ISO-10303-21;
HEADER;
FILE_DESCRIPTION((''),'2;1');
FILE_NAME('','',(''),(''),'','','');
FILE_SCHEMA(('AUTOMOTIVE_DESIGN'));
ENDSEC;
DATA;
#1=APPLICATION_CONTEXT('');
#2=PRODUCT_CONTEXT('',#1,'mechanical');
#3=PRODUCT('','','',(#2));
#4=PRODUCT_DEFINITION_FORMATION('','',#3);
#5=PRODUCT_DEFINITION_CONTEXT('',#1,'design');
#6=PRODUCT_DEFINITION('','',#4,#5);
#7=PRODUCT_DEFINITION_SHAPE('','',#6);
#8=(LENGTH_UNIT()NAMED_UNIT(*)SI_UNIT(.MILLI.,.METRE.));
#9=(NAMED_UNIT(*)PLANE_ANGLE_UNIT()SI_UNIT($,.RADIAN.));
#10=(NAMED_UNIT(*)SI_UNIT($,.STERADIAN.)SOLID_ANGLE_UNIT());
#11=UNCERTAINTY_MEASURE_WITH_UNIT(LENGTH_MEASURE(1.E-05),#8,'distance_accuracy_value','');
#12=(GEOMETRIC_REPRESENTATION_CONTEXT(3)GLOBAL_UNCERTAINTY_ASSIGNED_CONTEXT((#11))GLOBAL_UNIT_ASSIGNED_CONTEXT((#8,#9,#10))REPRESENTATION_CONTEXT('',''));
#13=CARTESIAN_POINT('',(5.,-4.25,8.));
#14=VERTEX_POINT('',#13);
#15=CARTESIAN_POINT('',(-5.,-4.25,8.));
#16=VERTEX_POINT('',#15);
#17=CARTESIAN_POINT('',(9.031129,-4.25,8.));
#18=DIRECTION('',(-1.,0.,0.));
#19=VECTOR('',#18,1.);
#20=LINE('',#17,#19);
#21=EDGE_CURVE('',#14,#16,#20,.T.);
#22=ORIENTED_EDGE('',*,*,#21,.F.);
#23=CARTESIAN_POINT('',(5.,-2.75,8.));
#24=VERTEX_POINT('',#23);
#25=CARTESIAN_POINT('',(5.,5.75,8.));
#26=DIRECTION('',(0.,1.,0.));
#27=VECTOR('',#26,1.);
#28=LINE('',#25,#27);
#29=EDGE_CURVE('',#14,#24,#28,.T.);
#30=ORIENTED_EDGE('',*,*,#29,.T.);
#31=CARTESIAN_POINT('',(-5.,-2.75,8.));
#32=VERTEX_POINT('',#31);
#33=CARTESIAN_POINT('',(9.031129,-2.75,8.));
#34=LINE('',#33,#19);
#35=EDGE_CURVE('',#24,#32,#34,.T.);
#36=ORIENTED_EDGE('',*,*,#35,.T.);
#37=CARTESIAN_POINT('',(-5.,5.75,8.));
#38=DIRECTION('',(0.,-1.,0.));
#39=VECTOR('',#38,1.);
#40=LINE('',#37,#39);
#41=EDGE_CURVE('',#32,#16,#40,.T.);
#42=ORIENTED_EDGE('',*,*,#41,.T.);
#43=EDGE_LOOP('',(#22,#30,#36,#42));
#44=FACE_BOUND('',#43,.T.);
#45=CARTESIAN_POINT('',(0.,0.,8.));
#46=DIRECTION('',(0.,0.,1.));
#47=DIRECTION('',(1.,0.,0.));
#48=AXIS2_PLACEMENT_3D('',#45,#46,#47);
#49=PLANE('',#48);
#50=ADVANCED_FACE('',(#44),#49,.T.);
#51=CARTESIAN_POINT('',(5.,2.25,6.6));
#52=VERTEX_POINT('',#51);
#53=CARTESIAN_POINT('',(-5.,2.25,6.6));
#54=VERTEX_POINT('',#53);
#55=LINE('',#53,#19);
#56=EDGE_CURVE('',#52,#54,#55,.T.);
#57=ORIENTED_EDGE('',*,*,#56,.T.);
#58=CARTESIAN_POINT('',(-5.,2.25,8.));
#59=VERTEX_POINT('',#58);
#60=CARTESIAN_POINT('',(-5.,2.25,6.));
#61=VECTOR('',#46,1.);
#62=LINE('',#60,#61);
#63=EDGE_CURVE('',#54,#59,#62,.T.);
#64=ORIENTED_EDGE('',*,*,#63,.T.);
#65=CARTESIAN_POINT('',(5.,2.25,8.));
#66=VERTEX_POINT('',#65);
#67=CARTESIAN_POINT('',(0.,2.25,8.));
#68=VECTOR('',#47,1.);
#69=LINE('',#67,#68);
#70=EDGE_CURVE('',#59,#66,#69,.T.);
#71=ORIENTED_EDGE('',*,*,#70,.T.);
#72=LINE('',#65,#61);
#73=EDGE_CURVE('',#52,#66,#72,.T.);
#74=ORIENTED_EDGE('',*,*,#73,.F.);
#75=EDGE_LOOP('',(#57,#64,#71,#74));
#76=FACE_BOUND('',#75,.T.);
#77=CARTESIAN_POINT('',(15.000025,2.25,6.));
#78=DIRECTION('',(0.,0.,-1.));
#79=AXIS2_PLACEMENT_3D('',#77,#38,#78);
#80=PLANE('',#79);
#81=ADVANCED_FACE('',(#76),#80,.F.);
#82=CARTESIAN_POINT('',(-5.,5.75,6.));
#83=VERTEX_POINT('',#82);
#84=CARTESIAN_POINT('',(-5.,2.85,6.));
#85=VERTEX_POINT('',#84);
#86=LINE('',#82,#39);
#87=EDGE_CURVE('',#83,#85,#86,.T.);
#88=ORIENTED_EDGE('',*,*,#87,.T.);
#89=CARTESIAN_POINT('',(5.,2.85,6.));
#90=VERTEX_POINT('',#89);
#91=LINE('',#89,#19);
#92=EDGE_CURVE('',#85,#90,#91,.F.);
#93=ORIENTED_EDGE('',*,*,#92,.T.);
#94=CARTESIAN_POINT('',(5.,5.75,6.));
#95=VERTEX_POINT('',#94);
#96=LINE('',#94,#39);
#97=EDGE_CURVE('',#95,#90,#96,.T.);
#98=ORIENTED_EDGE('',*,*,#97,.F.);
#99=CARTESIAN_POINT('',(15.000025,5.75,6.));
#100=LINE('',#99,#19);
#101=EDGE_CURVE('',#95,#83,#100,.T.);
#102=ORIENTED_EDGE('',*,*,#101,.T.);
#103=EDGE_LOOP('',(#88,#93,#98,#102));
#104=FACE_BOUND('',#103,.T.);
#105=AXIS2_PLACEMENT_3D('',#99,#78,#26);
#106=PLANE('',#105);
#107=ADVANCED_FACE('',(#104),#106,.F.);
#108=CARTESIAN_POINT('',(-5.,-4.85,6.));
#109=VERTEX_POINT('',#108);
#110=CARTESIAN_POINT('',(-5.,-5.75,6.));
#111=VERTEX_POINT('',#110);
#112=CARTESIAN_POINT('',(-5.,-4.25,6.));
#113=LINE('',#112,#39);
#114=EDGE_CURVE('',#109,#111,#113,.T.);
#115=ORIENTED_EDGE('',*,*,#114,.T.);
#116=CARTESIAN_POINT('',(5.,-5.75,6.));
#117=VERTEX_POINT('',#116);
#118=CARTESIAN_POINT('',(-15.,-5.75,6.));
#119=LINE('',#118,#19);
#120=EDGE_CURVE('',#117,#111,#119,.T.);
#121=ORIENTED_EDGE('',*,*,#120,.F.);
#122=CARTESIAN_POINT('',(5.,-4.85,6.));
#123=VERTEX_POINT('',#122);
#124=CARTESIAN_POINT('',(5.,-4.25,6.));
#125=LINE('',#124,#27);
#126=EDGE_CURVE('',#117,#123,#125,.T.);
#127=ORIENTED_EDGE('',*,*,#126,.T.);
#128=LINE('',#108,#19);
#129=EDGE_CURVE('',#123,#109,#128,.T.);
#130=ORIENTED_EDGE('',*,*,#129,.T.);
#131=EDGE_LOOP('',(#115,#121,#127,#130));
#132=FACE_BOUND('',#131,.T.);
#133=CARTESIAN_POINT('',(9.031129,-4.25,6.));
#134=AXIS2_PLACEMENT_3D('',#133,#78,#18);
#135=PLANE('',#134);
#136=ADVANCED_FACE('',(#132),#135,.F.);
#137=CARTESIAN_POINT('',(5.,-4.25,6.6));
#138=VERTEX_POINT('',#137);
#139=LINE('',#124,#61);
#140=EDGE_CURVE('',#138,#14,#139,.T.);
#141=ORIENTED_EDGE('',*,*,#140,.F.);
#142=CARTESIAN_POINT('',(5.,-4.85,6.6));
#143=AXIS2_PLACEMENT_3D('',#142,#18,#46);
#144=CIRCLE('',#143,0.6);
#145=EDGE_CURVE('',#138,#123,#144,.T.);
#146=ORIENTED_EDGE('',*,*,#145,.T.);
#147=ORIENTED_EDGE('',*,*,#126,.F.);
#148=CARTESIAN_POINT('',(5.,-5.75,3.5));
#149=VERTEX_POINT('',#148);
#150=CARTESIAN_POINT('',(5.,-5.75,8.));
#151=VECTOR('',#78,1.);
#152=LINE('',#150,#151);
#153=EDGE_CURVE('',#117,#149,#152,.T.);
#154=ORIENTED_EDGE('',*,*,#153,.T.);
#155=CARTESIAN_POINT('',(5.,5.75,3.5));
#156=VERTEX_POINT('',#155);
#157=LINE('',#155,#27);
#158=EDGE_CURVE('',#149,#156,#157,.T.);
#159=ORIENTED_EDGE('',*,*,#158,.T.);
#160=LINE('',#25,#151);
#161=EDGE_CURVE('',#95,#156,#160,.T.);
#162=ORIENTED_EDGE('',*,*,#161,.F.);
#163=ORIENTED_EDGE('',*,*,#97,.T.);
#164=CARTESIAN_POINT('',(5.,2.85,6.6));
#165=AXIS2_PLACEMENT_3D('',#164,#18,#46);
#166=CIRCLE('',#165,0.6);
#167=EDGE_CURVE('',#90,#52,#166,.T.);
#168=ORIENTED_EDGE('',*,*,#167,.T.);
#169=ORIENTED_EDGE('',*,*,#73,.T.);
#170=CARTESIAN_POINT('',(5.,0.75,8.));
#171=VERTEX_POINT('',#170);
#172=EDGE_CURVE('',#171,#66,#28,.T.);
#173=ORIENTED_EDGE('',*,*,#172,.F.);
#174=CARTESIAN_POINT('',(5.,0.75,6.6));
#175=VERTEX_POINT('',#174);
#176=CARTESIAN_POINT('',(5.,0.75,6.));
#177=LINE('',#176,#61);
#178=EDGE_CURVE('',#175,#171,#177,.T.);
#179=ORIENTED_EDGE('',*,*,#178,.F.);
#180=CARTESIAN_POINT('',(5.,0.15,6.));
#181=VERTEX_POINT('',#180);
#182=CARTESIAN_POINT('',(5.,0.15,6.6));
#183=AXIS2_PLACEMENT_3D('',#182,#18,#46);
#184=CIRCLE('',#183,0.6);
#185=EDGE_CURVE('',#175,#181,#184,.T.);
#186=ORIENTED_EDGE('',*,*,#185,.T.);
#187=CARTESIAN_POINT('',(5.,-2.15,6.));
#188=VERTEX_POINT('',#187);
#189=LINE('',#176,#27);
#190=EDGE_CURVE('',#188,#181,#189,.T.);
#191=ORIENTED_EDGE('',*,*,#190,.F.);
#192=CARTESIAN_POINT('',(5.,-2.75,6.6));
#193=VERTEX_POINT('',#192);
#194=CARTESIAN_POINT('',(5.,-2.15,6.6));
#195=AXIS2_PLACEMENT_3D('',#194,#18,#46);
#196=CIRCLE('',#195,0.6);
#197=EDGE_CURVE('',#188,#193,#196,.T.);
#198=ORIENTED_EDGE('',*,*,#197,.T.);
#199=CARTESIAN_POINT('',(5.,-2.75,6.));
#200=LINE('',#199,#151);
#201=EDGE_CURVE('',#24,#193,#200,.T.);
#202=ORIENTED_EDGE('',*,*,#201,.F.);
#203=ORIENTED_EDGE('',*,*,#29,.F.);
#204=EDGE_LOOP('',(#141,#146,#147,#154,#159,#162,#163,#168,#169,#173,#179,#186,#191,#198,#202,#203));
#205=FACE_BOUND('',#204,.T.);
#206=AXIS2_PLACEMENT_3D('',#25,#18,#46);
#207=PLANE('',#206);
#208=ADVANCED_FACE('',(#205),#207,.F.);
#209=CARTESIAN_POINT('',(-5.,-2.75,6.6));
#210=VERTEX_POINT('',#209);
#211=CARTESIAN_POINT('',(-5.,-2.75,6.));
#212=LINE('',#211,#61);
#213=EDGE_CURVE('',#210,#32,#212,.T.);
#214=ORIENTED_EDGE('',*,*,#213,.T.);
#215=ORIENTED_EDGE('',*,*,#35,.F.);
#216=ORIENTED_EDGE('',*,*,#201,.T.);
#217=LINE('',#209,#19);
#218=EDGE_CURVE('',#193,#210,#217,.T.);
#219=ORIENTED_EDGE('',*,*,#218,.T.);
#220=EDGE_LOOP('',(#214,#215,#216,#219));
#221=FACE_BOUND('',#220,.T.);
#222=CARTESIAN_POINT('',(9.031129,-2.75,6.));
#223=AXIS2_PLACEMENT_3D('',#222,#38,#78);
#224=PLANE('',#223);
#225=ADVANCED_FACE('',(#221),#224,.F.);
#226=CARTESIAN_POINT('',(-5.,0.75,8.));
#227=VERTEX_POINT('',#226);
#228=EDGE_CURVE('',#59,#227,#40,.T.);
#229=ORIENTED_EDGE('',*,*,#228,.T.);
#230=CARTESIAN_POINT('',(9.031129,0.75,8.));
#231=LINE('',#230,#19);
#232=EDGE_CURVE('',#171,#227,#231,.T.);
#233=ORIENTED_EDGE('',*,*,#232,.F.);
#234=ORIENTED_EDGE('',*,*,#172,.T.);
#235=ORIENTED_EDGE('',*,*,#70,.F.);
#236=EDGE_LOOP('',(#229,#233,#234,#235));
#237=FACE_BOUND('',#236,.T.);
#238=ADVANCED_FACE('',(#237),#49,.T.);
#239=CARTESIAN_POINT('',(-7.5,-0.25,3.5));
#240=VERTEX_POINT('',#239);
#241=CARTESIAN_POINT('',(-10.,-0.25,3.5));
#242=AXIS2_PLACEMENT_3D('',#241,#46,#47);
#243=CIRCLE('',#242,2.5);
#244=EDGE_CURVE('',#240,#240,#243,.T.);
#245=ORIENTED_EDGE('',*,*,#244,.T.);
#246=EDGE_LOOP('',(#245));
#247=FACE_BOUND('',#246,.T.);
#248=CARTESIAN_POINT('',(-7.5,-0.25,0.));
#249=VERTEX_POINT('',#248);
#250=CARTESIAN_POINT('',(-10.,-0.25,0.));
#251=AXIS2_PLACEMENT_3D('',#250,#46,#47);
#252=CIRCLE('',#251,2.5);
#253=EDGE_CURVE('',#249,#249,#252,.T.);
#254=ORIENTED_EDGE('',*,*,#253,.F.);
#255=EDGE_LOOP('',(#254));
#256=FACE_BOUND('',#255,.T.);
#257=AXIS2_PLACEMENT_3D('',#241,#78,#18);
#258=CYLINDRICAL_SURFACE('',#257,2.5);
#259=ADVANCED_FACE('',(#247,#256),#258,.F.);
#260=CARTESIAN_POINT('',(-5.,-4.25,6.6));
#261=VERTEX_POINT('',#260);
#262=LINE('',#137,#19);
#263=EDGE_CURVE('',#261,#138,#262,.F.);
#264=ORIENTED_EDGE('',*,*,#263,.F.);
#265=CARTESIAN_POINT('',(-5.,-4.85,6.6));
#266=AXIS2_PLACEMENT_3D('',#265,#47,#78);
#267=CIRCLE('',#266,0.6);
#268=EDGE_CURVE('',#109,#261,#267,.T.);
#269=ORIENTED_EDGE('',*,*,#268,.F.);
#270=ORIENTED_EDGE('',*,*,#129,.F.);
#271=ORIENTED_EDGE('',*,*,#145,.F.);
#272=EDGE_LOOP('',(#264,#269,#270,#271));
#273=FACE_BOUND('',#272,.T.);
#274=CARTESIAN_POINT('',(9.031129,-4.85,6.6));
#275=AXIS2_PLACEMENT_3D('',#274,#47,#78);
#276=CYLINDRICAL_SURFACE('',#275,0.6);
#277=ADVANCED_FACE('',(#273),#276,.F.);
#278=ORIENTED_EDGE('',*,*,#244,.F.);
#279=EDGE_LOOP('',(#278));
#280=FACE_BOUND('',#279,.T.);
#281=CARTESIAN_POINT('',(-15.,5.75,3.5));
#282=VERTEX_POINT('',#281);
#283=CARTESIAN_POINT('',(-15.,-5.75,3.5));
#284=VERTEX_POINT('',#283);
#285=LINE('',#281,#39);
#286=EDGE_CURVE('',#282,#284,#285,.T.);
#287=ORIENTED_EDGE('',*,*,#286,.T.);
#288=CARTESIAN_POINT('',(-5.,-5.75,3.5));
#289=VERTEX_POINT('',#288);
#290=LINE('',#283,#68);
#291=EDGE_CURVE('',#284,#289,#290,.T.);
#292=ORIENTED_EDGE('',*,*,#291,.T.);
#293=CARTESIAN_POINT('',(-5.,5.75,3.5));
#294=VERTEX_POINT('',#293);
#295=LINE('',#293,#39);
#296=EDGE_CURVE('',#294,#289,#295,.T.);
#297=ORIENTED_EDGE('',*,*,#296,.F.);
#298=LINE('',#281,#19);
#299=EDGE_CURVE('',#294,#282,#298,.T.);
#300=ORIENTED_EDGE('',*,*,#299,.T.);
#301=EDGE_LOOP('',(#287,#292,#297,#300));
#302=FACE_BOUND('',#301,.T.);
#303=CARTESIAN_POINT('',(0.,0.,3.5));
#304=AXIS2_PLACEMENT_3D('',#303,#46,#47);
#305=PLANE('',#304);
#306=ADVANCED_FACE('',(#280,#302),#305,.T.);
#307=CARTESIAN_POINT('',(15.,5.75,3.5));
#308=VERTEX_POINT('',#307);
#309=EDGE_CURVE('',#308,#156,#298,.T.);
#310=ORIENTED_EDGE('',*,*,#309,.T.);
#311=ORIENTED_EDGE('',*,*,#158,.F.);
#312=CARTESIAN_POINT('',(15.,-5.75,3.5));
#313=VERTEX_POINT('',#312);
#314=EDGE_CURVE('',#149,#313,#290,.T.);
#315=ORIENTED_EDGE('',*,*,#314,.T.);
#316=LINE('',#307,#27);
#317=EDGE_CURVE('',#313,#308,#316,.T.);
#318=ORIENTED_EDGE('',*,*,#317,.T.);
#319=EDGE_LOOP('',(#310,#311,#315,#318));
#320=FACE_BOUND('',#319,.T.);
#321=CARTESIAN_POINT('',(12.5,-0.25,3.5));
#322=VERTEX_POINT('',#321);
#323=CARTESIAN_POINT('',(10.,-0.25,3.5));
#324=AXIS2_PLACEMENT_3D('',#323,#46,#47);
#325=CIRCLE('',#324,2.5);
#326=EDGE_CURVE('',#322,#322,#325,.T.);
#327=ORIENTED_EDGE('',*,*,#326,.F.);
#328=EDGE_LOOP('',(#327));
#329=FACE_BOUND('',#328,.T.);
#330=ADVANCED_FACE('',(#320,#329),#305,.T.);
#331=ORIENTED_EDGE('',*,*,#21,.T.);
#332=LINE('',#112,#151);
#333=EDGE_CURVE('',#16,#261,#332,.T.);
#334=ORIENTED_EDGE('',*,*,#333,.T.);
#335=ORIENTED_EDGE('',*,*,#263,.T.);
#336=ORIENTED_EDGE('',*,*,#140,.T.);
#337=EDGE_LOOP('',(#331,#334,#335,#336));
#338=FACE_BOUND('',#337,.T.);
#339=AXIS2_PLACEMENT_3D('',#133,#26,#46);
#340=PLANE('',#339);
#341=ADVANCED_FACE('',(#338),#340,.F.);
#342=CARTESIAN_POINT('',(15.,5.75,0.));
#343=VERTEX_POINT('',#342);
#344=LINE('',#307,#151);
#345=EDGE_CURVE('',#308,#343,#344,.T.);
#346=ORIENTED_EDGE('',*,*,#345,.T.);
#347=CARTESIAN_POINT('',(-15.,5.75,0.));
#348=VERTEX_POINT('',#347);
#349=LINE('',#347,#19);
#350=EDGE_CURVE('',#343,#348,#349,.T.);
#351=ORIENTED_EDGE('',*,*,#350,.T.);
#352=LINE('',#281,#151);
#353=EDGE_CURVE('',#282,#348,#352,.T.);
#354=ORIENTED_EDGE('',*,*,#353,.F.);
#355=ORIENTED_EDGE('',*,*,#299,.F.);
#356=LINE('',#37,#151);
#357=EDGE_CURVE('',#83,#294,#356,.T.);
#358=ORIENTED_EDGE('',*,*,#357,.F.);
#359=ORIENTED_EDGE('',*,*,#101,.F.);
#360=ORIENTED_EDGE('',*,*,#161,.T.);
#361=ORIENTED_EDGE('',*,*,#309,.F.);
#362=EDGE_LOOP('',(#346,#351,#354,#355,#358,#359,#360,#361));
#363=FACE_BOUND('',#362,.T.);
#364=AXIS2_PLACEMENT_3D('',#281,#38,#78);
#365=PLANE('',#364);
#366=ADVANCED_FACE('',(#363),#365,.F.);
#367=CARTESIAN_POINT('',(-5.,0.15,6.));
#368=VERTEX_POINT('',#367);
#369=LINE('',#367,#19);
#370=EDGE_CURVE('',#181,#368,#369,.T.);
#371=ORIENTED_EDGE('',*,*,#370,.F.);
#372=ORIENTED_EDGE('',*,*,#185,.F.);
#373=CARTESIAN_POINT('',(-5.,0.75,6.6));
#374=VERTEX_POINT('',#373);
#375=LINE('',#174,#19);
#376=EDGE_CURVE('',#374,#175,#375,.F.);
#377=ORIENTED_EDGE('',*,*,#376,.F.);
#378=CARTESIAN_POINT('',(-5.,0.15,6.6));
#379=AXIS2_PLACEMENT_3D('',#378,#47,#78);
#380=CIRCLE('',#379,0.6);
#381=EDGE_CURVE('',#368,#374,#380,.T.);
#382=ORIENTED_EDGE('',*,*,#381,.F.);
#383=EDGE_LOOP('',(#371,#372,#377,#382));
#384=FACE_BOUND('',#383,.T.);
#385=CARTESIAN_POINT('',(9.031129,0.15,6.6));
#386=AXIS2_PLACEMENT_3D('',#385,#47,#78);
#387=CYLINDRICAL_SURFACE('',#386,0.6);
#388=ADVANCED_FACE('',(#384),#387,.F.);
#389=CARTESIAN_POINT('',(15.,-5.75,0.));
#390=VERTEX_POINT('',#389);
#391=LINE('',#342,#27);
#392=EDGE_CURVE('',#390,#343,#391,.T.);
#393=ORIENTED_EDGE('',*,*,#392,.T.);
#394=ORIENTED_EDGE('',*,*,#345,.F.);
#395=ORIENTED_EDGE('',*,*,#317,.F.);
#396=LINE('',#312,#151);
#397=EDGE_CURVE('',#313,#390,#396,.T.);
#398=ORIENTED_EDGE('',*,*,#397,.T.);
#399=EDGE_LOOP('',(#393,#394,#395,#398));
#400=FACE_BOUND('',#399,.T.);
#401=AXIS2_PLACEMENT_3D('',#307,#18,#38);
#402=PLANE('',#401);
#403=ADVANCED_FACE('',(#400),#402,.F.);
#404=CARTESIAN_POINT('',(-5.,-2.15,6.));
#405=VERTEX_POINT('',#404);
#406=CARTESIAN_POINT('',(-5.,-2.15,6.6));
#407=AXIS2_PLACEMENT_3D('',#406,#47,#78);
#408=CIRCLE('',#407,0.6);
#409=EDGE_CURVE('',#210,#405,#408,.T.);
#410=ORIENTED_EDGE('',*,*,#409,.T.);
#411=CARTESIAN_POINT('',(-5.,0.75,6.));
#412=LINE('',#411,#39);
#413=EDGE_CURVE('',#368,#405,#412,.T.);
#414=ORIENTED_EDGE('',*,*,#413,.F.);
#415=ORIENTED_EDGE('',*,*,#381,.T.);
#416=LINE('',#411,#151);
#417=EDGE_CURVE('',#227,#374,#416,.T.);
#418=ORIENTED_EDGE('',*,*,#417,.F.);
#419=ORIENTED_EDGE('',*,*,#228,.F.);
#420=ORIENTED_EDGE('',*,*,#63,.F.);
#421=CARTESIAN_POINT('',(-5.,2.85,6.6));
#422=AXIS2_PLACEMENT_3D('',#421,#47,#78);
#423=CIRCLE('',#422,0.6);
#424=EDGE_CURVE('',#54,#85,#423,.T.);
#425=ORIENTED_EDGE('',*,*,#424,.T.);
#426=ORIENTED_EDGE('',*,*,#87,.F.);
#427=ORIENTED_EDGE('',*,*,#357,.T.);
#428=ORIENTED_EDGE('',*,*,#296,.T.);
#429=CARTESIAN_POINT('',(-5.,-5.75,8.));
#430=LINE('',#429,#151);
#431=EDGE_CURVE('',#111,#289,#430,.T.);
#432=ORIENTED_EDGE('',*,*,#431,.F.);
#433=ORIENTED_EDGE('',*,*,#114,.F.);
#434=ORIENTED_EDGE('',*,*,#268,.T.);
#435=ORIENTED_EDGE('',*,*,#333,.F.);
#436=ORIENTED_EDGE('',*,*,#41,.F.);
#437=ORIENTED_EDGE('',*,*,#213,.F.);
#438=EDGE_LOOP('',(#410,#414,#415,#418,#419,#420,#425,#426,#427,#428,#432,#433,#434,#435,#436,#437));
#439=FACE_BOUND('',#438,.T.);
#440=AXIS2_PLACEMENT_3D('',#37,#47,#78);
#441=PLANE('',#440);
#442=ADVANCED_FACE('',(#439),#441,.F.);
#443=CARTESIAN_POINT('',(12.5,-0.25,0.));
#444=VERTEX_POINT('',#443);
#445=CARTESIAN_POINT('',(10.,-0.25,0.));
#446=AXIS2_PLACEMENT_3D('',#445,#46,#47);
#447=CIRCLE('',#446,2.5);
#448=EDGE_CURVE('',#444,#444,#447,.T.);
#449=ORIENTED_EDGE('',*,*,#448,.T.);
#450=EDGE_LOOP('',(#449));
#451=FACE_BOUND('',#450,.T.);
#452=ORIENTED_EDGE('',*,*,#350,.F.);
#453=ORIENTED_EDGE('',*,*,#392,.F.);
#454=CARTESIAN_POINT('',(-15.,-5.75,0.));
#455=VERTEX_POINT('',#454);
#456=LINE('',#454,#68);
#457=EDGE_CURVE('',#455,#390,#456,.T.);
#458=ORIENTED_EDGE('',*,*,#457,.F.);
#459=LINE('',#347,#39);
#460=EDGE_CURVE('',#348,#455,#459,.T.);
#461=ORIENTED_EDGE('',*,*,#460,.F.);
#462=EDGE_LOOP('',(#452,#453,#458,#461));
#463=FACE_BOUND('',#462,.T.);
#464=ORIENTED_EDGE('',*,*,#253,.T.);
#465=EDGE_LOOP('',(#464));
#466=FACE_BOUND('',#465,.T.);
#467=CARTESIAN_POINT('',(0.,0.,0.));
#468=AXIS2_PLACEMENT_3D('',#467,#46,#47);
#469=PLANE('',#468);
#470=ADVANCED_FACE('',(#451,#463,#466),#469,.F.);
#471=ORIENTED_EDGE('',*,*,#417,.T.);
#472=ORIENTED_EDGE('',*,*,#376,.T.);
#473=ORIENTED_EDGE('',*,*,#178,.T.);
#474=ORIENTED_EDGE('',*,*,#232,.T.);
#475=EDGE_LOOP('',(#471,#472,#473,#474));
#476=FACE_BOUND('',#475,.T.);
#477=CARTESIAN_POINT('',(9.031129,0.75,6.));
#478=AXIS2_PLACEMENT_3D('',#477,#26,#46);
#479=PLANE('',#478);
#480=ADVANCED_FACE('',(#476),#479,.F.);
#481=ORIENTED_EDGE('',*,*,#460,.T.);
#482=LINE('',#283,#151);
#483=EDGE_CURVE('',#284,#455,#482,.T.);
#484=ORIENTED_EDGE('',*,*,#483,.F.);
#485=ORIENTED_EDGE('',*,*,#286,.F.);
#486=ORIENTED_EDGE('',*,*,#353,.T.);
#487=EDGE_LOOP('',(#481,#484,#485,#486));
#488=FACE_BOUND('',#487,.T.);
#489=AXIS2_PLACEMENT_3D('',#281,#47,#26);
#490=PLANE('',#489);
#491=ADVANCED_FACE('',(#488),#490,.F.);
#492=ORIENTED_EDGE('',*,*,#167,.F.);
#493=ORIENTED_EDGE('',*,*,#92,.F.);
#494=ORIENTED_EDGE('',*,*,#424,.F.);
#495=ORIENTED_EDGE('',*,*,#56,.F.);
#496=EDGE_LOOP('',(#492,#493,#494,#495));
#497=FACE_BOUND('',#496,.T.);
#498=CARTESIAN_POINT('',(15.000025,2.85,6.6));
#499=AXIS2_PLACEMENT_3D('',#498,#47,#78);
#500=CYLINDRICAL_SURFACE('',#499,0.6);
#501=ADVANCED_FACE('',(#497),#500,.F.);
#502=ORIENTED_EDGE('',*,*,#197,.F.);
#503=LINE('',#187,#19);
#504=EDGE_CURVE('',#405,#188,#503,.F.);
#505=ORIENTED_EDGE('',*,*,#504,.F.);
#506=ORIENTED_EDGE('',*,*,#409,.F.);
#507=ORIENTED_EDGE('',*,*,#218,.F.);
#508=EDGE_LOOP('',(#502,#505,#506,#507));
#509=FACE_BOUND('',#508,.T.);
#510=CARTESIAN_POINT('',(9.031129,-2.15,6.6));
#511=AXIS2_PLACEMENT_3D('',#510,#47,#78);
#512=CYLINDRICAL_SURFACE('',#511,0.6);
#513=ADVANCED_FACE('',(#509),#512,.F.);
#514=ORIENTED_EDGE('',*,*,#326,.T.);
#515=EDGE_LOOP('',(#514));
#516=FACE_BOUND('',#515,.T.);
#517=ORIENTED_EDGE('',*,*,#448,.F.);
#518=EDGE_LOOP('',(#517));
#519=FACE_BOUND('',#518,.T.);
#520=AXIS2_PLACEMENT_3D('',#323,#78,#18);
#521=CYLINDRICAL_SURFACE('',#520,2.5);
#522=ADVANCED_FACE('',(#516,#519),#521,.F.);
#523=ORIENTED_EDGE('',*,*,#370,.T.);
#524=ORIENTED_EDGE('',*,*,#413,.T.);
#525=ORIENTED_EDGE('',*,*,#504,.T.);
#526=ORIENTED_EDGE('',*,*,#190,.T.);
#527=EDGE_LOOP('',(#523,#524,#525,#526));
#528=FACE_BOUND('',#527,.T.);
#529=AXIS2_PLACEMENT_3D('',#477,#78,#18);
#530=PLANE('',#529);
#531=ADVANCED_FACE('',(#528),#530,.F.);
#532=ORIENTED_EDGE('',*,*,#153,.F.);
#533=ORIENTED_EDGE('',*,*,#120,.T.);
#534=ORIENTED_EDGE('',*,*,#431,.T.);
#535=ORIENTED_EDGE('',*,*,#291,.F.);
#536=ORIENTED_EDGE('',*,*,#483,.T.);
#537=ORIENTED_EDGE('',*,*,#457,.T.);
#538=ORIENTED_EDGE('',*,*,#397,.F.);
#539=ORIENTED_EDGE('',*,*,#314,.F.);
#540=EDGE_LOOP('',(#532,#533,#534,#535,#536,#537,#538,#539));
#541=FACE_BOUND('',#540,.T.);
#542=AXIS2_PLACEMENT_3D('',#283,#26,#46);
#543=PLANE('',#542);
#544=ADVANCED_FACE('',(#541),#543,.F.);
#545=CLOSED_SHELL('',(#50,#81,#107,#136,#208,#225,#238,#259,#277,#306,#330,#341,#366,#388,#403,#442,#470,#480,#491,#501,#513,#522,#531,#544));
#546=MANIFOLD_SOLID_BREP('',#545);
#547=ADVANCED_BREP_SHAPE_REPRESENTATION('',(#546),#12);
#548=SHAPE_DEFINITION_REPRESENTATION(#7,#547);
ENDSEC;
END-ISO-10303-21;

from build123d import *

# Parameters (mm, degrees)
SKETCH1_W           = 30
SKETCH1_H           = 11.5
SKETCH1_R           = 2.5
BOSS_EXTRUDE1_DEPTH = 3.5
SKETCH2_W           = 10
SKETCH2_H           = 11.5
BOSS_EXTRUDE2_DEPTH = 4.5
SKETCH3_W           = 2
SKETCH3_H           = 3.5
CUT_EXTRUDE1_DEPTH  = 23.29489852
SKETCH4_W           = 2
SKETCH4_H           = 3.5
CUT_EXTRUDE2_DEPTH  = 10
FILLET2_R           = 0.6


with BuildPart() as part:
    # Sketch1 → Boss-Extrude1 (new body)
    with BuildSketch(Plane.XY):
        Rectangle(SKETCH1_W, SKETCH1_H)
        with Locations((-10, -0.25)):
            Circle(SKETCH1_R, mode=Mode.SUBTRACT)
        with Locations((10, -0.25)):
            Circle(SKETCH1_R, mode=Mode.SUBTRACT)
    extrude(amount=BOSS_EXTRUDE1_DEPTH)

    # Sketch2 → Boss-Extrude2 (add)
    with BuildSketch(Plane.XY.offset(3.5)):
        Rectangle(SKETCH2_W, SKETCH2_H)
    extrude(amount=BOSS_EXTRUDE2_DEPTH)

    # Sketch3 → Cut-Extrude1 (cut, through all)
    with BuildSketch(Plane.ZY.offset(5)):
        with Locations((7, 4)):
            Rectangle(SKETCH3_W, SKETCH3_H)
    extrude(amount=-CUT_EXTRUDE1_DEPTH, mode=Mode.SUBTRACT)

    # Sketch4 → Cut-Extrude2 (cut)
    with BuildSketch(Plane.ZY.offset(5)):
        with Locations((7, -1)):
            Rectangle(SKETCH4_W, SKETCH4_H)
        with Locations((7, -6)):
            Rectangle(SKETCH4_W, SKETCH4_H)
    extrude(amount=-CUT_EXTRUDE2_DEPTH, mode=Mode.SUBTRACT)

    # Fillet2
    fillet2_edges = [part.edges().sort_by_distance(p)[0] for p in [
        (0, 2.25, 6),
        (0, -2.75, 6),
        (0, 0.75, 6),
        (0, -4.25, 6),
    ]]
    fillet(fillet2_edges, radius=FILLET2_R)


solid = part.part
